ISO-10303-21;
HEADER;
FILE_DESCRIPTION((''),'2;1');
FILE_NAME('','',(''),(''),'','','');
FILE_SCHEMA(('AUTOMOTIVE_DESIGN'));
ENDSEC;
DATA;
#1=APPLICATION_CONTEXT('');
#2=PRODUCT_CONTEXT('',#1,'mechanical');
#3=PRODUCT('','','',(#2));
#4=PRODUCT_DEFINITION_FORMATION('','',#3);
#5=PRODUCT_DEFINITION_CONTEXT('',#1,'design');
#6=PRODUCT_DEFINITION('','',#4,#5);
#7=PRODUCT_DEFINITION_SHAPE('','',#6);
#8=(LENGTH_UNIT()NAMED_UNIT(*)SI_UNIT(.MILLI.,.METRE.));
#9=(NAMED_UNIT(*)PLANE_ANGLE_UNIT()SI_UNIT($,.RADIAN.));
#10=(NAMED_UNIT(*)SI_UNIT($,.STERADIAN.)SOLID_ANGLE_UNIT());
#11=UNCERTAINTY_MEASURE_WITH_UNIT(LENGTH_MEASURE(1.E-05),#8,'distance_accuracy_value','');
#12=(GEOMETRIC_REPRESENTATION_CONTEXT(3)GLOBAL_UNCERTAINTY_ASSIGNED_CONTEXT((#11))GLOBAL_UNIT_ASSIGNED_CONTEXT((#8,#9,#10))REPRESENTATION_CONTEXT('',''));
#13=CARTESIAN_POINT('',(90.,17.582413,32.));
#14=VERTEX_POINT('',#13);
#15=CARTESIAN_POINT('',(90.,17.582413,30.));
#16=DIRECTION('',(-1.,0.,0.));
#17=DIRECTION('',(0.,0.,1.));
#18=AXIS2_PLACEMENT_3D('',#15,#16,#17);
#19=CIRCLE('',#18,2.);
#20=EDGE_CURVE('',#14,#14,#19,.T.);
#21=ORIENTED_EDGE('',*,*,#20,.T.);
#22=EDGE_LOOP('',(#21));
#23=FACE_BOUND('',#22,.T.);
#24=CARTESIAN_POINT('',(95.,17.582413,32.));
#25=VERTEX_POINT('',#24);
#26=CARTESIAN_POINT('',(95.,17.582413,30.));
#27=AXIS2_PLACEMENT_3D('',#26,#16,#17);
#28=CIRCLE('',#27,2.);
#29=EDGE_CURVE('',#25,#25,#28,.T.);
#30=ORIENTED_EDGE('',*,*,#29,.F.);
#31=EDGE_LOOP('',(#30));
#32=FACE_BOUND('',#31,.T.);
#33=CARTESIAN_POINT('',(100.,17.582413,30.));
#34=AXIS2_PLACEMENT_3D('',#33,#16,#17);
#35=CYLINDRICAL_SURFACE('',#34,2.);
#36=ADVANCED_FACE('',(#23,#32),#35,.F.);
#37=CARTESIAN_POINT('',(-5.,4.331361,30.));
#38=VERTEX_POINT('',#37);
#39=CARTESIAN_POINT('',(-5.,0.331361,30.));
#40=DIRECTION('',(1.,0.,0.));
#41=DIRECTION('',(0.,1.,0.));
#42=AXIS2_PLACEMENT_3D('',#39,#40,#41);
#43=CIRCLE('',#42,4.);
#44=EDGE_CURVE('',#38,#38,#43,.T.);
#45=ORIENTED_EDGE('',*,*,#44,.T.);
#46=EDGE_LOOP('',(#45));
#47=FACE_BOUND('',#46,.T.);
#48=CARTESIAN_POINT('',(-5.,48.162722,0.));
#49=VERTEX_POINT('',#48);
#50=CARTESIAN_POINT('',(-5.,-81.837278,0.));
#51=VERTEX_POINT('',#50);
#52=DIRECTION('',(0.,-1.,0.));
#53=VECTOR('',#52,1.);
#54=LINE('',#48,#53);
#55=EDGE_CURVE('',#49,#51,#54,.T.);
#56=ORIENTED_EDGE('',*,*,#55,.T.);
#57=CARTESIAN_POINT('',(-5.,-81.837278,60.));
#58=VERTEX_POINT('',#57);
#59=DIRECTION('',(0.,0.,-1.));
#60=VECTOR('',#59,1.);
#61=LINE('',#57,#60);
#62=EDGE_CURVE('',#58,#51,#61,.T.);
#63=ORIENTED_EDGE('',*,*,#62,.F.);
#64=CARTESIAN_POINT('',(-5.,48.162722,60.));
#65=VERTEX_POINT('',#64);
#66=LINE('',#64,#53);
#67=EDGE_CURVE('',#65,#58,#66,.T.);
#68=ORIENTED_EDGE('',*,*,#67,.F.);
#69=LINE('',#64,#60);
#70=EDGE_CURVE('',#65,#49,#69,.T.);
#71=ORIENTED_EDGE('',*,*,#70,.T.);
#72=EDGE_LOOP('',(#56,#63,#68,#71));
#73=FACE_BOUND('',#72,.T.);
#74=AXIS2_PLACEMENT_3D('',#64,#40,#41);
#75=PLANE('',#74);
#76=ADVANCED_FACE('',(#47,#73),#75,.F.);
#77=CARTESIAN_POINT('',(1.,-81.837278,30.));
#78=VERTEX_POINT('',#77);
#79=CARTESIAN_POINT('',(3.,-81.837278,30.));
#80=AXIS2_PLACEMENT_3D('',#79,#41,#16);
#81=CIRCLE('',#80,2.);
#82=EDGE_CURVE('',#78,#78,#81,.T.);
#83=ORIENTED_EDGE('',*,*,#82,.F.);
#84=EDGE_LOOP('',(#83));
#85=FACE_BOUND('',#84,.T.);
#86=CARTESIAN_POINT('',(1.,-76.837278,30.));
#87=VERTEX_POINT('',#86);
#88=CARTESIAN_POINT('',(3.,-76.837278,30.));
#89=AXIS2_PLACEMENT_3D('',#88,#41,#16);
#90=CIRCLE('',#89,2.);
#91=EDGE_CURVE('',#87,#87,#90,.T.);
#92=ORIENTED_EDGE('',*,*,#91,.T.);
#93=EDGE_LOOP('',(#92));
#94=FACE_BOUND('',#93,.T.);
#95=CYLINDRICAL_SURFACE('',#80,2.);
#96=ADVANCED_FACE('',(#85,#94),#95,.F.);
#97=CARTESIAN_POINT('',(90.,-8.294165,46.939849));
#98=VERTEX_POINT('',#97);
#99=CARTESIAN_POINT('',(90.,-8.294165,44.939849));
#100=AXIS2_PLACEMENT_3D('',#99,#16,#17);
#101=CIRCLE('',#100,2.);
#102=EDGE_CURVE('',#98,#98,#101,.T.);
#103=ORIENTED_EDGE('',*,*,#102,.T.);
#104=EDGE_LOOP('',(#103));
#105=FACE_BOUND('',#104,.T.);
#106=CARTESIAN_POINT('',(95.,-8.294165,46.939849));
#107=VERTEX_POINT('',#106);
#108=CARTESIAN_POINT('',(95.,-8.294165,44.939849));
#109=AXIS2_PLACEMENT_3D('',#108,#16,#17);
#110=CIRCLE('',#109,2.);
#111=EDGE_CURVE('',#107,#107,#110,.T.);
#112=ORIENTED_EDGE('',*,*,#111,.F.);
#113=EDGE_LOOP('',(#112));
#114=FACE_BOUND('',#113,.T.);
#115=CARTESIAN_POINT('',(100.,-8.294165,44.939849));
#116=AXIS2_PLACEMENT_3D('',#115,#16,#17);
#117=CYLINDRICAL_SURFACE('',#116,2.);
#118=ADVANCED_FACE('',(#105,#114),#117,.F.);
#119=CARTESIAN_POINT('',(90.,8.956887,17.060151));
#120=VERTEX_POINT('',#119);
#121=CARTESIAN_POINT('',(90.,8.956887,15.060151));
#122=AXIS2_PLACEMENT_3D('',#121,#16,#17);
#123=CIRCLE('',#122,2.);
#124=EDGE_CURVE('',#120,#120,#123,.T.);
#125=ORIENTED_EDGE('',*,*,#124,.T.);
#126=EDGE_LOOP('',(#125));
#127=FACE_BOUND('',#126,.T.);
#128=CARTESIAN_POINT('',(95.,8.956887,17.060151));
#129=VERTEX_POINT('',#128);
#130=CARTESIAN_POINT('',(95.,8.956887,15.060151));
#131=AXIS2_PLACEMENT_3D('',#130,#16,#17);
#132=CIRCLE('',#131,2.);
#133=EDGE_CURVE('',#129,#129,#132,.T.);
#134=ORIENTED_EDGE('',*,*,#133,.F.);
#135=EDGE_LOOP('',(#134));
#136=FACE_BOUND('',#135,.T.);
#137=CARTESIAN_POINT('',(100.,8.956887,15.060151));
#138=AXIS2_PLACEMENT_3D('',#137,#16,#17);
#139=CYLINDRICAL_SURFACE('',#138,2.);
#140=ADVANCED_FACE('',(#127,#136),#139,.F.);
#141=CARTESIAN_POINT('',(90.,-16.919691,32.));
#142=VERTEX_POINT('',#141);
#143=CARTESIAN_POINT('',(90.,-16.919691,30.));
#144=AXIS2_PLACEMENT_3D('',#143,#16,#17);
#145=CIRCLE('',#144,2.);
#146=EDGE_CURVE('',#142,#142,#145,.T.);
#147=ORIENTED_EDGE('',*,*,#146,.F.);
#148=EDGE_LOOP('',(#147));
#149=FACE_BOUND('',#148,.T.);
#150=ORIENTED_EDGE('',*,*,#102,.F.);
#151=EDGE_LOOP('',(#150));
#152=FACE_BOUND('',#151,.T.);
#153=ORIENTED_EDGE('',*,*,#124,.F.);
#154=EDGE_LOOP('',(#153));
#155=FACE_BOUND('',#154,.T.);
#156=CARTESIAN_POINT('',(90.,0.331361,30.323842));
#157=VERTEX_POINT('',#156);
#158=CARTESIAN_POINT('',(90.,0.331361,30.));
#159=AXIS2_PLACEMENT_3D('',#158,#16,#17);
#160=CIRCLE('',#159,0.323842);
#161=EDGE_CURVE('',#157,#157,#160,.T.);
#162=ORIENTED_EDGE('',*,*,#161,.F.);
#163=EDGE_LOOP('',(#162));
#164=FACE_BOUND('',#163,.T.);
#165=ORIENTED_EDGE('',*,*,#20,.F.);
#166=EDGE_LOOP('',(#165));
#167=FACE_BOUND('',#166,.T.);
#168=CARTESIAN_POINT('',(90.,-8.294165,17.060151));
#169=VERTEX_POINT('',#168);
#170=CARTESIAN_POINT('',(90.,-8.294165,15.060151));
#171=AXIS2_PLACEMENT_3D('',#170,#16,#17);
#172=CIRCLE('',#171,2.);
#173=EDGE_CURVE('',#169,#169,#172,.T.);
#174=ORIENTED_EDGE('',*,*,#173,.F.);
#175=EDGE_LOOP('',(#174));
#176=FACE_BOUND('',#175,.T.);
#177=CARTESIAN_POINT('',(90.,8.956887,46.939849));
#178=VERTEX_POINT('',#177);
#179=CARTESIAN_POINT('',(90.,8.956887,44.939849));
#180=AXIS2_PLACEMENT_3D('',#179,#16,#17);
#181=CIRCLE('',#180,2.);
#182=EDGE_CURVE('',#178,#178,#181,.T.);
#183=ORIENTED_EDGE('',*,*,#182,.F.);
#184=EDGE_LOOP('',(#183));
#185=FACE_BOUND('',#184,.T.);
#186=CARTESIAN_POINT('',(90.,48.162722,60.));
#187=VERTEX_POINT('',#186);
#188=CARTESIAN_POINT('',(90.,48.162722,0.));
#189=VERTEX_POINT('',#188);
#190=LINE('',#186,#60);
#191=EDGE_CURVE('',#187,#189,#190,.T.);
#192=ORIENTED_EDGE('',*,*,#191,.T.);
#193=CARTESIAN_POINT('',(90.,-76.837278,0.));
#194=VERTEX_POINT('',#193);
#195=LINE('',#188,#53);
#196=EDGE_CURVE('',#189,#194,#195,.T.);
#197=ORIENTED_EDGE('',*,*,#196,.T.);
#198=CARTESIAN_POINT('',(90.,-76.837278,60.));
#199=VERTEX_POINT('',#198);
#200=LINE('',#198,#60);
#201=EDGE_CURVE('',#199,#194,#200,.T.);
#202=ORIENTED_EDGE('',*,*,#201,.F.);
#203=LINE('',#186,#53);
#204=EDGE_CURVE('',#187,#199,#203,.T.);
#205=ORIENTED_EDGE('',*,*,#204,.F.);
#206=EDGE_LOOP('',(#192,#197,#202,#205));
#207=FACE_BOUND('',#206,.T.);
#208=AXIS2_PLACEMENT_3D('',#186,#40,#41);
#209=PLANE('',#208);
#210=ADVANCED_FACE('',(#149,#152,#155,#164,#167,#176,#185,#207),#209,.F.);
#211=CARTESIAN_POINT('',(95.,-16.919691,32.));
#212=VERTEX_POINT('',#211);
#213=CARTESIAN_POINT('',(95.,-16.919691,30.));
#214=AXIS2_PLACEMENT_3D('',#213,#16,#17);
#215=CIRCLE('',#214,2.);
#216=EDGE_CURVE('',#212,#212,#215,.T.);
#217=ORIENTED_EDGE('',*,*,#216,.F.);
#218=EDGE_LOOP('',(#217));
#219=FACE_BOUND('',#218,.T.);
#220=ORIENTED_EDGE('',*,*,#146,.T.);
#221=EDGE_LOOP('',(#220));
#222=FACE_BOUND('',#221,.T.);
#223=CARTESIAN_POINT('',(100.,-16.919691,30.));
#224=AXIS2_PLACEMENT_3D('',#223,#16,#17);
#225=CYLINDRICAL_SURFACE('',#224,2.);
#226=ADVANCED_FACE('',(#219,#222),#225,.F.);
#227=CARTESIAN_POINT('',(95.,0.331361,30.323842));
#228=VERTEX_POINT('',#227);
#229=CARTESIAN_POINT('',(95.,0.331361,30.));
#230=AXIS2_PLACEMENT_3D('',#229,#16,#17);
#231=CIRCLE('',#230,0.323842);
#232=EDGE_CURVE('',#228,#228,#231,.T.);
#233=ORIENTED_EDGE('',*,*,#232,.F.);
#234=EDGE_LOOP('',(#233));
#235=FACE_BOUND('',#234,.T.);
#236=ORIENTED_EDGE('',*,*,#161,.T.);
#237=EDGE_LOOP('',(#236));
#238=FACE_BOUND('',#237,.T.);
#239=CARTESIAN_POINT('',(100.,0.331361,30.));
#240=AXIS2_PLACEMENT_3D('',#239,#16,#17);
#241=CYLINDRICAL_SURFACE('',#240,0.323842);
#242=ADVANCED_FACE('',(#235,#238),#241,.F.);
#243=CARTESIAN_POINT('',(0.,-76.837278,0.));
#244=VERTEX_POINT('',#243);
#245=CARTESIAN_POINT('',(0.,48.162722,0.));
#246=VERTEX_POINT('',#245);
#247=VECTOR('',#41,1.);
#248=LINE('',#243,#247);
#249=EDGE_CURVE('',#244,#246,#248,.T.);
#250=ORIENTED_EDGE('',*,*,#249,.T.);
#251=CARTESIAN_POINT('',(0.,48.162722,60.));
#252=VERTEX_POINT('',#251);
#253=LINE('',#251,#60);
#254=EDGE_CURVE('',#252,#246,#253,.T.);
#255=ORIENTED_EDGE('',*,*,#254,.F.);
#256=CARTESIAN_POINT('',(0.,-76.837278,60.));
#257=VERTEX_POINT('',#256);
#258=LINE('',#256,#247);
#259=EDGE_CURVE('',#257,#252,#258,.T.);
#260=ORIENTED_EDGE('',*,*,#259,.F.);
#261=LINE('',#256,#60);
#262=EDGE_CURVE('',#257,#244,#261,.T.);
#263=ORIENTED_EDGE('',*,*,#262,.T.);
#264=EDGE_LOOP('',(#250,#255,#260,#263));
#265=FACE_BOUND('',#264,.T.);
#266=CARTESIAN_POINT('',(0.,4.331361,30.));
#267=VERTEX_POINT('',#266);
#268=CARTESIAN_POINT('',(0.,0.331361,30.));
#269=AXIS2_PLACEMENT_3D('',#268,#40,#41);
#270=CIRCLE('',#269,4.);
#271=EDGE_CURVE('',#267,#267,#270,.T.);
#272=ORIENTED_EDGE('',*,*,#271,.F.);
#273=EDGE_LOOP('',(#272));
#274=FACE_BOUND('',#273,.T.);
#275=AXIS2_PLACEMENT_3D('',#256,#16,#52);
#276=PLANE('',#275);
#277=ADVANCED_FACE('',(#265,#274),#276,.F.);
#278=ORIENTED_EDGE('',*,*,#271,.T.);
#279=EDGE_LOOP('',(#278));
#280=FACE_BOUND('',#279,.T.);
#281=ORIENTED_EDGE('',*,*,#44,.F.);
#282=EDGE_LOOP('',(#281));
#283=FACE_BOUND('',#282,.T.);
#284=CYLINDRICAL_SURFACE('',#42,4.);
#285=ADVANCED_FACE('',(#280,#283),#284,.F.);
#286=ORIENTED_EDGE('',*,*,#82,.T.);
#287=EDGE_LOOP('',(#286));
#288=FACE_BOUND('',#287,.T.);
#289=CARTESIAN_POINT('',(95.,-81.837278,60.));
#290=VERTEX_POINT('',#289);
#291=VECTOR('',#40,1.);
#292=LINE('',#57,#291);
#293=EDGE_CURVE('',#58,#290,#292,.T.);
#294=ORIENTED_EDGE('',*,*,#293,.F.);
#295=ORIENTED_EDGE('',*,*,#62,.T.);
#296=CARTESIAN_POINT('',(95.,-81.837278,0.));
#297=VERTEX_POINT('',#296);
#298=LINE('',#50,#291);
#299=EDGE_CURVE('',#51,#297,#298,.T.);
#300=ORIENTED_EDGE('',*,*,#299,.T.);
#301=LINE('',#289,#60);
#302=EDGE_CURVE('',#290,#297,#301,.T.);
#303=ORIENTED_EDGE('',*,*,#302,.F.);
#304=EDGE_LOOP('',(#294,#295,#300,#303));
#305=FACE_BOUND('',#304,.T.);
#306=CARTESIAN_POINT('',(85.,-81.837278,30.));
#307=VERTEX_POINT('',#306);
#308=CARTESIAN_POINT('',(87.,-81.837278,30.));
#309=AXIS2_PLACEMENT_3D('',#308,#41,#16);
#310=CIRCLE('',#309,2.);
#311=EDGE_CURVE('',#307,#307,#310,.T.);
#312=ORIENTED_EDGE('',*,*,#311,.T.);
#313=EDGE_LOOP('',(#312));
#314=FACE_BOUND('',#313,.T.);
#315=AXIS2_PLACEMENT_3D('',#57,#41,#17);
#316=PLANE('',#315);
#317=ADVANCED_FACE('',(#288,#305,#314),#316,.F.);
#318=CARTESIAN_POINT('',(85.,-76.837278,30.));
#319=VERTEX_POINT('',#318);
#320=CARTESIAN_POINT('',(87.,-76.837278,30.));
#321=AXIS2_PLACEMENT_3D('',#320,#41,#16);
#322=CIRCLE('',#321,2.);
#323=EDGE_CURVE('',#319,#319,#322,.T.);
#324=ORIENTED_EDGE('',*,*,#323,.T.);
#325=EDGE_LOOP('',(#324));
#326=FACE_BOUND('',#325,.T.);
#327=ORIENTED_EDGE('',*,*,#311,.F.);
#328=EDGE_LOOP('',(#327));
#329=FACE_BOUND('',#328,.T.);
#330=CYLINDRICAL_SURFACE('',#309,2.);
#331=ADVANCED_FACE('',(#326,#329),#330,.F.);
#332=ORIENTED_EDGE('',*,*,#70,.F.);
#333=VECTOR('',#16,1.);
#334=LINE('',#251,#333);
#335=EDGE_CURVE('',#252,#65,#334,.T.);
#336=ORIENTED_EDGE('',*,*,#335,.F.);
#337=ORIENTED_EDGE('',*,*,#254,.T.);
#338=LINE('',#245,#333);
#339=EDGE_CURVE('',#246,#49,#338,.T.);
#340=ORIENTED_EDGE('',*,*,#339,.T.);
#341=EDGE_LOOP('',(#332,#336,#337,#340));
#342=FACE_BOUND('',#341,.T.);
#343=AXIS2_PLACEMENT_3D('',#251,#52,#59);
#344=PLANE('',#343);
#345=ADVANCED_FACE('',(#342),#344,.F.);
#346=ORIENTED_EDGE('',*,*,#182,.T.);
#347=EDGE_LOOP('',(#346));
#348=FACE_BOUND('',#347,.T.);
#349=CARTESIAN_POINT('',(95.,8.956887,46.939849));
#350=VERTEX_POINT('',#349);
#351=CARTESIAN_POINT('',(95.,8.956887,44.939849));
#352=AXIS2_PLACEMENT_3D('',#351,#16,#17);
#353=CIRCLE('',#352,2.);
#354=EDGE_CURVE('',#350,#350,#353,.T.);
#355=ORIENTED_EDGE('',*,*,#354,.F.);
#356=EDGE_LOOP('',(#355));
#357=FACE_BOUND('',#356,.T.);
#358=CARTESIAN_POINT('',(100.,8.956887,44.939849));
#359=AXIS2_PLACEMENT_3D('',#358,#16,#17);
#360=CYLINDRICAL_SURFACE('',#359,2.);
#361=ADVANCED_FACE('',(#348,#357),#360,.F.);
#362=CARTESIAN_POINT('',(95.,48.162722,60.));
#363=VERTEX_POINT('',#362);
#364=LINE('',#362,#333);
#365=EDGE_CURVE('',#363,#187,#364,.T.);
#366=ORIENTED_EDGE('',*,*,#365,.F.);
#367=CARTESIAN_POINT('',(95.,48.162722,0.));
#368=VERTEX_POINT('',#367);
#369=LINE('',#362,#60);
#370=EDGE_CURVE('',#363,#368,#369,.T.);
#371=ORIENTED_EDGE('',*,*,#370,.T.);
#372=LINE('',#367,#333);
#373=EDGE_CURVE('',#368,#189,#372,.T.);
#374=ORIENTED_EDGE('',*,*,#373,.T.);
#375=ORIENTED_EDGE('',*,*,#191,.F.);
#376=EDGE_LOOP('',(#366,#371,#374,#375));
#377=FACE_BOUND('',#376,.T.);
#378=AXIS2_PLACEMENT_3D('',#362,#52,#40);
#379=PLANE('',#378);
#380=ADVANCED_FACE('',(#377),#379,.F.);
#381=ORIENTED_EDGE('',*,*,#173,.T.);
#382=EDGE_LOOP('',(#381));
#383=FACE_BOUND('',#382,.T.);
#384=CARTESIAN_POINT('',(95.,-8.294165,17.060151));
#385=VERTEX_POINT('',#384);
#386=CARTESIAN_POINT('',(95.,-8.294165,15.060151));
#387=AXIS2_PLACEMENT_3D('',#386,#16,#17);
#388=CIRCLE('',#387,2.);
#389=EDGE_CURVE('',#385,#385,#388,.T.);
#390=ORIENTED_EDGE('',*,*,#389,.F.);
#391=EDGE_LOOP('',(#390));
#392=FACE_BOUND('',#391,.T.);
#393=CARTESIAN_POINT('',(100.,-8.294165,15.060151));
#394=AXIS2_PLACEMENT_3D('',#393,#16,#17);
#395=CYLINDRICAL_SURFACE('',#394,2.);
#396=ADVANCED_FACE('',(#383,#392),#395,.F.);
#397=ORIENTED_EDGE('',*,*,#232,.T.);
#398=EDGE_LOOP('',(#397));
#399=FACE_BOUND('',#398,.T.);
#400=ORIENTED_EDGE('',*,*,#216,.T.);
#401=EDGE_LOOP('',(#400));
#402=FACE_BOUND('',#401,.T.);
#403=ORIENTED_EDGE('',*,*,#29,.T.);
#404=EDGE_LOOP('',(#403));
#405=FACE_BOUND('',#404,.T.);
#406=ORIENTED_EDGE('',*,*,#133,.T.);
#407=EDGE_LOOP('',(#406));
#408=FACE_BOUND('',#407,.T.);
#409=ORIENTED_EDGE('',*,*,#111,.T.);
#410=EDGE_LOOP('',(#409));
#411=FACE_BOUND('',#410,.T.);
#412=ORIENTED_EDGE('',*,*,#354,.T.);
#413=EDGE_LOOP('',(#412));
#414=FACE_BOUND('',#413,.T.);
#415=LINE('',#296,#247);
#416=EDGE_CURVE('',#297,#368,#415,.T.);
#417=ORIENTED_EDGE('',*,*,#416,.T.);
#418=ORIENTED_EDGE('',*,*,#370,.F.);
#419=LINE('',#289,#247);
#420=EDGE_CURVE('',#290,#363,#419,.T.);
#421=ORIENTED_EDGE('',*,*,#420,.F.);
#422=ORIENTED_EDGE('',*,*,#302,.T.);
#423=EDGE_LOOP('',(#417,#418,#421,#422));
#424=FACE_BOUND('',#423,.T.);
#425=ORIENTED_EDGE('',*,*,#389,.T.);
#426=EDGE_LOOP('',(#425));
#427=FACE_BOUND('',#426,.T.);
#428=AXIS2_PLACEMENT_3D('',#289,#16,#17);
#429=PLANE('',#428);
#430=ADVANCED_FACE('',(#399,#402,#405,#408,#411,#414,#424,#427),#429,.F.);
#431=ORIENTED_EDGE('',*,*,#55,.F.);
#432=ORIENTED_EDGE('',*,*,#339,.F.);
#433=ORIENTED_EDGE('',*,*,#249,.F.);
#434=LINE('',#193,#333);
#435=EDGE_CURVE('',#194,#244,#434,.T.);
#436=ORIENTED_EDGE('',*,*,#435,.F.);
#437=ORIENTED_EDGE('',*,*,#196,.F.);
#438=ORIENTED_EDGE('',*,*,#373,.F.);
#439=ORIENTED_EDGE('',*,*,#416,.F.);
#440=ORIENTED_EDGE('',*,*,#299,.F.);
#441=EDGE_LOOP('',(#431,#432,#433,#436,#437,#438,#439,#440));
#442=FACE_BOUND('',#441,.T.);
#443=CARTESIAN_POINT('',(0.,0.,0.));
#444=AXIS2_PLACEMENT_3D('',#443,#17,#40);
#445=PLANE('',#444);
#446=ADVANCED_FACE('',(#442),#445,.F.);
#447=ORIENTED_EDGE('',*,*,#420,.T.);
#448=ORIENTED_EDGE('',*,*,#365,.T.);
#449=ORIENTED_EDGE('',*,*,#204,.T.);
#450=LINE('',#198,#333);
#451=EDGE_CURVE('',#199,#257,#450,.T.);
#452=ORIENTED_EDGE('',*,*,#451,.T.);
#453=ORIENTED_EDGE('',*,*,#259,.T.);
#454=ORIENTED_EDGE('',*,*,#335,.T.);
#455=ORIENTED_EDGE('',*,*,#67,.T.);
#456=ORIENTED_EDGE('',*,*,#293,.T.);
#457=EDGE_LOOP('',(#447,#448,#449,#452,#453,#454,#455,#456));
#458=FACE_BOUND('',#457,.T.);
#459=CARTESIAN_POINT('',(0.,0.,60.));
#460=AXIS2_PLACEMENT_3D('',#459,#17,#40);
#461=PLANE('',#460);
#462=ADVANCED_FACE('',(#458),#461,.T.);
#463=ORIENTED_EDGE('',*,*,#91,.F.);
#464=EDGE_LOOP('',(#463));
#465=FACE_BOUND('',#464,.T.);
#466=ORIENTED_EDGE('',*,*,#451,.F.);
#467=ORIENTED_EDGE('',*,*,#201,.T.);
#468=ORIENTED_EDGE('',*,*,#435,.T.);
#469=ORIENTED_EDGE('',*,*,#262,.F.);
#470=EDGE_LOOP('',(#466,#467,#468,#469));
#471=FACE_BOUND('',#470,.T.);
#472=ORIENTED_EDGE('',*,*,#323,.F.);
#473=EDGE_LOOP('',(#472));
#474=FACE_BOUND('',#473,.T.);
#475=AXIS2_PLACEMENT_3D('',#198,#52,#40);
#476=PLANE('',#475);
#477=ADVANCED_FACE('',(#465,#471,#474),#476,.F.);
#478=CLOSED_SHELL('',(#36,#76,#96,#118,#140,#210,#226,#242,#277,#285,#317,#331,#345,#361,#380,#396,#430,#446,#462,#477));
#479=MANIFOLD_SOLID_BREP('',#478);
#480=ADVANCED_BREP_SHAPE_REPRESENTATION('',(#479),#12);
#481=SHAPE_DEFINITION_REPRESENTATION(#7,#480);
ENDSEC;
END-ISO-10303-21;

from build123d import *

# Parameters (mm, degrees)
EXTRUDE_1_DEPTH     = 60
SKETCH_2_R          = 2
CUT_EXTRUDE_1_DEPTH = 6
SKETCH_3_R          = 2
SKETCH_3_R_2        = 0.32384185
CUT_EXTRUDE_2_DEPTH = 10
SKETCH_5_R          = 4
SKETCH_5_R_2        = 0.32384185
CUT_EXTRUDE_4_DEPTH = 6


with BuildPart() as part:
    # 草图1 → 凸台-拉伸1 (new body)
    with BuildSketch(Plane.XY):
        Polygon((95, -81.837278389), (95, 48.162721611), (90, 48.162721611), (90, -76.837278389), (0, -76.837278389), (0, 48.162721611), (-5, 48.162721611), (-5, -81.837278389), align=None)
    extrude(amount=EXTRUDE_1_DEPTH)

    # 草图2 → 切除-拉伸1 (cut, through all)
    with BuildSketch(Plane(origin=(0, -76.837278389, 0), x_dir=(1, 0, 0), z_dir=(0, 1, 0))):
        with Locations((3, -30)):
            Circle(SKETCH_2_R)
        with Locations((87, -30)):
            Circle(SKETCH_2_R)
    extrude(amount=-CUT_EXTRUDE_1_DEPTH, mode=Mode.SUBTRACT)

    # 草图3 → 切除-拉伸2 (cut)
    with BuildSketch(Plane.ZY.offset(-90)):
        with Locations((30, 17.582413023)):
            Circle(SKETCH_3_R)
        with Locations((15.060150537, 8.956886914)):
            Circle(SKETCH_3_R)
        with Locations((15.060150537, -8.294165304)):
            Circle(SKETCH_3_R)
        with Locations((30, -16.919691412)):
            Circle(SKETCH_3_R)
        with Locations((44.939849463, -8.294165304)):
            Circle(SKETCH_3_R)
        with Locations((44.939849463, 8.956886914)):
            Circle(SKETCH_3_R)
        with Locations((30, 0.331360805)):
            Circle(SKETCH_3_R_2)
    extrude(amount=-CUT_EXTRUDE_2_DEPTH, mode=Mode.SUBTRACT)

    # 草图5 → 切除-拉伸4 (cut, through all)
    with BuildSketch(Plane(origin=(0, 0, 0), x_dir=(0, 0, -1), z_dir=(1, 0, 0))):
        with Locations((-30, 0.331360805)):
            Circle(SKETCH_5_R)
        with Locations((-30, 0.331360805)):
            Circle(SKETCH_5_R_2, mode=Mode.SUBTRACT)
        with Locations((-30, 0.331360805)):
            Circle(SKETCH_5_R_2)
    extrude(amount=-CUT_EXTRUDE_4_DEPTH, mode=Mode.SUBTRACT)


solid = part.part
